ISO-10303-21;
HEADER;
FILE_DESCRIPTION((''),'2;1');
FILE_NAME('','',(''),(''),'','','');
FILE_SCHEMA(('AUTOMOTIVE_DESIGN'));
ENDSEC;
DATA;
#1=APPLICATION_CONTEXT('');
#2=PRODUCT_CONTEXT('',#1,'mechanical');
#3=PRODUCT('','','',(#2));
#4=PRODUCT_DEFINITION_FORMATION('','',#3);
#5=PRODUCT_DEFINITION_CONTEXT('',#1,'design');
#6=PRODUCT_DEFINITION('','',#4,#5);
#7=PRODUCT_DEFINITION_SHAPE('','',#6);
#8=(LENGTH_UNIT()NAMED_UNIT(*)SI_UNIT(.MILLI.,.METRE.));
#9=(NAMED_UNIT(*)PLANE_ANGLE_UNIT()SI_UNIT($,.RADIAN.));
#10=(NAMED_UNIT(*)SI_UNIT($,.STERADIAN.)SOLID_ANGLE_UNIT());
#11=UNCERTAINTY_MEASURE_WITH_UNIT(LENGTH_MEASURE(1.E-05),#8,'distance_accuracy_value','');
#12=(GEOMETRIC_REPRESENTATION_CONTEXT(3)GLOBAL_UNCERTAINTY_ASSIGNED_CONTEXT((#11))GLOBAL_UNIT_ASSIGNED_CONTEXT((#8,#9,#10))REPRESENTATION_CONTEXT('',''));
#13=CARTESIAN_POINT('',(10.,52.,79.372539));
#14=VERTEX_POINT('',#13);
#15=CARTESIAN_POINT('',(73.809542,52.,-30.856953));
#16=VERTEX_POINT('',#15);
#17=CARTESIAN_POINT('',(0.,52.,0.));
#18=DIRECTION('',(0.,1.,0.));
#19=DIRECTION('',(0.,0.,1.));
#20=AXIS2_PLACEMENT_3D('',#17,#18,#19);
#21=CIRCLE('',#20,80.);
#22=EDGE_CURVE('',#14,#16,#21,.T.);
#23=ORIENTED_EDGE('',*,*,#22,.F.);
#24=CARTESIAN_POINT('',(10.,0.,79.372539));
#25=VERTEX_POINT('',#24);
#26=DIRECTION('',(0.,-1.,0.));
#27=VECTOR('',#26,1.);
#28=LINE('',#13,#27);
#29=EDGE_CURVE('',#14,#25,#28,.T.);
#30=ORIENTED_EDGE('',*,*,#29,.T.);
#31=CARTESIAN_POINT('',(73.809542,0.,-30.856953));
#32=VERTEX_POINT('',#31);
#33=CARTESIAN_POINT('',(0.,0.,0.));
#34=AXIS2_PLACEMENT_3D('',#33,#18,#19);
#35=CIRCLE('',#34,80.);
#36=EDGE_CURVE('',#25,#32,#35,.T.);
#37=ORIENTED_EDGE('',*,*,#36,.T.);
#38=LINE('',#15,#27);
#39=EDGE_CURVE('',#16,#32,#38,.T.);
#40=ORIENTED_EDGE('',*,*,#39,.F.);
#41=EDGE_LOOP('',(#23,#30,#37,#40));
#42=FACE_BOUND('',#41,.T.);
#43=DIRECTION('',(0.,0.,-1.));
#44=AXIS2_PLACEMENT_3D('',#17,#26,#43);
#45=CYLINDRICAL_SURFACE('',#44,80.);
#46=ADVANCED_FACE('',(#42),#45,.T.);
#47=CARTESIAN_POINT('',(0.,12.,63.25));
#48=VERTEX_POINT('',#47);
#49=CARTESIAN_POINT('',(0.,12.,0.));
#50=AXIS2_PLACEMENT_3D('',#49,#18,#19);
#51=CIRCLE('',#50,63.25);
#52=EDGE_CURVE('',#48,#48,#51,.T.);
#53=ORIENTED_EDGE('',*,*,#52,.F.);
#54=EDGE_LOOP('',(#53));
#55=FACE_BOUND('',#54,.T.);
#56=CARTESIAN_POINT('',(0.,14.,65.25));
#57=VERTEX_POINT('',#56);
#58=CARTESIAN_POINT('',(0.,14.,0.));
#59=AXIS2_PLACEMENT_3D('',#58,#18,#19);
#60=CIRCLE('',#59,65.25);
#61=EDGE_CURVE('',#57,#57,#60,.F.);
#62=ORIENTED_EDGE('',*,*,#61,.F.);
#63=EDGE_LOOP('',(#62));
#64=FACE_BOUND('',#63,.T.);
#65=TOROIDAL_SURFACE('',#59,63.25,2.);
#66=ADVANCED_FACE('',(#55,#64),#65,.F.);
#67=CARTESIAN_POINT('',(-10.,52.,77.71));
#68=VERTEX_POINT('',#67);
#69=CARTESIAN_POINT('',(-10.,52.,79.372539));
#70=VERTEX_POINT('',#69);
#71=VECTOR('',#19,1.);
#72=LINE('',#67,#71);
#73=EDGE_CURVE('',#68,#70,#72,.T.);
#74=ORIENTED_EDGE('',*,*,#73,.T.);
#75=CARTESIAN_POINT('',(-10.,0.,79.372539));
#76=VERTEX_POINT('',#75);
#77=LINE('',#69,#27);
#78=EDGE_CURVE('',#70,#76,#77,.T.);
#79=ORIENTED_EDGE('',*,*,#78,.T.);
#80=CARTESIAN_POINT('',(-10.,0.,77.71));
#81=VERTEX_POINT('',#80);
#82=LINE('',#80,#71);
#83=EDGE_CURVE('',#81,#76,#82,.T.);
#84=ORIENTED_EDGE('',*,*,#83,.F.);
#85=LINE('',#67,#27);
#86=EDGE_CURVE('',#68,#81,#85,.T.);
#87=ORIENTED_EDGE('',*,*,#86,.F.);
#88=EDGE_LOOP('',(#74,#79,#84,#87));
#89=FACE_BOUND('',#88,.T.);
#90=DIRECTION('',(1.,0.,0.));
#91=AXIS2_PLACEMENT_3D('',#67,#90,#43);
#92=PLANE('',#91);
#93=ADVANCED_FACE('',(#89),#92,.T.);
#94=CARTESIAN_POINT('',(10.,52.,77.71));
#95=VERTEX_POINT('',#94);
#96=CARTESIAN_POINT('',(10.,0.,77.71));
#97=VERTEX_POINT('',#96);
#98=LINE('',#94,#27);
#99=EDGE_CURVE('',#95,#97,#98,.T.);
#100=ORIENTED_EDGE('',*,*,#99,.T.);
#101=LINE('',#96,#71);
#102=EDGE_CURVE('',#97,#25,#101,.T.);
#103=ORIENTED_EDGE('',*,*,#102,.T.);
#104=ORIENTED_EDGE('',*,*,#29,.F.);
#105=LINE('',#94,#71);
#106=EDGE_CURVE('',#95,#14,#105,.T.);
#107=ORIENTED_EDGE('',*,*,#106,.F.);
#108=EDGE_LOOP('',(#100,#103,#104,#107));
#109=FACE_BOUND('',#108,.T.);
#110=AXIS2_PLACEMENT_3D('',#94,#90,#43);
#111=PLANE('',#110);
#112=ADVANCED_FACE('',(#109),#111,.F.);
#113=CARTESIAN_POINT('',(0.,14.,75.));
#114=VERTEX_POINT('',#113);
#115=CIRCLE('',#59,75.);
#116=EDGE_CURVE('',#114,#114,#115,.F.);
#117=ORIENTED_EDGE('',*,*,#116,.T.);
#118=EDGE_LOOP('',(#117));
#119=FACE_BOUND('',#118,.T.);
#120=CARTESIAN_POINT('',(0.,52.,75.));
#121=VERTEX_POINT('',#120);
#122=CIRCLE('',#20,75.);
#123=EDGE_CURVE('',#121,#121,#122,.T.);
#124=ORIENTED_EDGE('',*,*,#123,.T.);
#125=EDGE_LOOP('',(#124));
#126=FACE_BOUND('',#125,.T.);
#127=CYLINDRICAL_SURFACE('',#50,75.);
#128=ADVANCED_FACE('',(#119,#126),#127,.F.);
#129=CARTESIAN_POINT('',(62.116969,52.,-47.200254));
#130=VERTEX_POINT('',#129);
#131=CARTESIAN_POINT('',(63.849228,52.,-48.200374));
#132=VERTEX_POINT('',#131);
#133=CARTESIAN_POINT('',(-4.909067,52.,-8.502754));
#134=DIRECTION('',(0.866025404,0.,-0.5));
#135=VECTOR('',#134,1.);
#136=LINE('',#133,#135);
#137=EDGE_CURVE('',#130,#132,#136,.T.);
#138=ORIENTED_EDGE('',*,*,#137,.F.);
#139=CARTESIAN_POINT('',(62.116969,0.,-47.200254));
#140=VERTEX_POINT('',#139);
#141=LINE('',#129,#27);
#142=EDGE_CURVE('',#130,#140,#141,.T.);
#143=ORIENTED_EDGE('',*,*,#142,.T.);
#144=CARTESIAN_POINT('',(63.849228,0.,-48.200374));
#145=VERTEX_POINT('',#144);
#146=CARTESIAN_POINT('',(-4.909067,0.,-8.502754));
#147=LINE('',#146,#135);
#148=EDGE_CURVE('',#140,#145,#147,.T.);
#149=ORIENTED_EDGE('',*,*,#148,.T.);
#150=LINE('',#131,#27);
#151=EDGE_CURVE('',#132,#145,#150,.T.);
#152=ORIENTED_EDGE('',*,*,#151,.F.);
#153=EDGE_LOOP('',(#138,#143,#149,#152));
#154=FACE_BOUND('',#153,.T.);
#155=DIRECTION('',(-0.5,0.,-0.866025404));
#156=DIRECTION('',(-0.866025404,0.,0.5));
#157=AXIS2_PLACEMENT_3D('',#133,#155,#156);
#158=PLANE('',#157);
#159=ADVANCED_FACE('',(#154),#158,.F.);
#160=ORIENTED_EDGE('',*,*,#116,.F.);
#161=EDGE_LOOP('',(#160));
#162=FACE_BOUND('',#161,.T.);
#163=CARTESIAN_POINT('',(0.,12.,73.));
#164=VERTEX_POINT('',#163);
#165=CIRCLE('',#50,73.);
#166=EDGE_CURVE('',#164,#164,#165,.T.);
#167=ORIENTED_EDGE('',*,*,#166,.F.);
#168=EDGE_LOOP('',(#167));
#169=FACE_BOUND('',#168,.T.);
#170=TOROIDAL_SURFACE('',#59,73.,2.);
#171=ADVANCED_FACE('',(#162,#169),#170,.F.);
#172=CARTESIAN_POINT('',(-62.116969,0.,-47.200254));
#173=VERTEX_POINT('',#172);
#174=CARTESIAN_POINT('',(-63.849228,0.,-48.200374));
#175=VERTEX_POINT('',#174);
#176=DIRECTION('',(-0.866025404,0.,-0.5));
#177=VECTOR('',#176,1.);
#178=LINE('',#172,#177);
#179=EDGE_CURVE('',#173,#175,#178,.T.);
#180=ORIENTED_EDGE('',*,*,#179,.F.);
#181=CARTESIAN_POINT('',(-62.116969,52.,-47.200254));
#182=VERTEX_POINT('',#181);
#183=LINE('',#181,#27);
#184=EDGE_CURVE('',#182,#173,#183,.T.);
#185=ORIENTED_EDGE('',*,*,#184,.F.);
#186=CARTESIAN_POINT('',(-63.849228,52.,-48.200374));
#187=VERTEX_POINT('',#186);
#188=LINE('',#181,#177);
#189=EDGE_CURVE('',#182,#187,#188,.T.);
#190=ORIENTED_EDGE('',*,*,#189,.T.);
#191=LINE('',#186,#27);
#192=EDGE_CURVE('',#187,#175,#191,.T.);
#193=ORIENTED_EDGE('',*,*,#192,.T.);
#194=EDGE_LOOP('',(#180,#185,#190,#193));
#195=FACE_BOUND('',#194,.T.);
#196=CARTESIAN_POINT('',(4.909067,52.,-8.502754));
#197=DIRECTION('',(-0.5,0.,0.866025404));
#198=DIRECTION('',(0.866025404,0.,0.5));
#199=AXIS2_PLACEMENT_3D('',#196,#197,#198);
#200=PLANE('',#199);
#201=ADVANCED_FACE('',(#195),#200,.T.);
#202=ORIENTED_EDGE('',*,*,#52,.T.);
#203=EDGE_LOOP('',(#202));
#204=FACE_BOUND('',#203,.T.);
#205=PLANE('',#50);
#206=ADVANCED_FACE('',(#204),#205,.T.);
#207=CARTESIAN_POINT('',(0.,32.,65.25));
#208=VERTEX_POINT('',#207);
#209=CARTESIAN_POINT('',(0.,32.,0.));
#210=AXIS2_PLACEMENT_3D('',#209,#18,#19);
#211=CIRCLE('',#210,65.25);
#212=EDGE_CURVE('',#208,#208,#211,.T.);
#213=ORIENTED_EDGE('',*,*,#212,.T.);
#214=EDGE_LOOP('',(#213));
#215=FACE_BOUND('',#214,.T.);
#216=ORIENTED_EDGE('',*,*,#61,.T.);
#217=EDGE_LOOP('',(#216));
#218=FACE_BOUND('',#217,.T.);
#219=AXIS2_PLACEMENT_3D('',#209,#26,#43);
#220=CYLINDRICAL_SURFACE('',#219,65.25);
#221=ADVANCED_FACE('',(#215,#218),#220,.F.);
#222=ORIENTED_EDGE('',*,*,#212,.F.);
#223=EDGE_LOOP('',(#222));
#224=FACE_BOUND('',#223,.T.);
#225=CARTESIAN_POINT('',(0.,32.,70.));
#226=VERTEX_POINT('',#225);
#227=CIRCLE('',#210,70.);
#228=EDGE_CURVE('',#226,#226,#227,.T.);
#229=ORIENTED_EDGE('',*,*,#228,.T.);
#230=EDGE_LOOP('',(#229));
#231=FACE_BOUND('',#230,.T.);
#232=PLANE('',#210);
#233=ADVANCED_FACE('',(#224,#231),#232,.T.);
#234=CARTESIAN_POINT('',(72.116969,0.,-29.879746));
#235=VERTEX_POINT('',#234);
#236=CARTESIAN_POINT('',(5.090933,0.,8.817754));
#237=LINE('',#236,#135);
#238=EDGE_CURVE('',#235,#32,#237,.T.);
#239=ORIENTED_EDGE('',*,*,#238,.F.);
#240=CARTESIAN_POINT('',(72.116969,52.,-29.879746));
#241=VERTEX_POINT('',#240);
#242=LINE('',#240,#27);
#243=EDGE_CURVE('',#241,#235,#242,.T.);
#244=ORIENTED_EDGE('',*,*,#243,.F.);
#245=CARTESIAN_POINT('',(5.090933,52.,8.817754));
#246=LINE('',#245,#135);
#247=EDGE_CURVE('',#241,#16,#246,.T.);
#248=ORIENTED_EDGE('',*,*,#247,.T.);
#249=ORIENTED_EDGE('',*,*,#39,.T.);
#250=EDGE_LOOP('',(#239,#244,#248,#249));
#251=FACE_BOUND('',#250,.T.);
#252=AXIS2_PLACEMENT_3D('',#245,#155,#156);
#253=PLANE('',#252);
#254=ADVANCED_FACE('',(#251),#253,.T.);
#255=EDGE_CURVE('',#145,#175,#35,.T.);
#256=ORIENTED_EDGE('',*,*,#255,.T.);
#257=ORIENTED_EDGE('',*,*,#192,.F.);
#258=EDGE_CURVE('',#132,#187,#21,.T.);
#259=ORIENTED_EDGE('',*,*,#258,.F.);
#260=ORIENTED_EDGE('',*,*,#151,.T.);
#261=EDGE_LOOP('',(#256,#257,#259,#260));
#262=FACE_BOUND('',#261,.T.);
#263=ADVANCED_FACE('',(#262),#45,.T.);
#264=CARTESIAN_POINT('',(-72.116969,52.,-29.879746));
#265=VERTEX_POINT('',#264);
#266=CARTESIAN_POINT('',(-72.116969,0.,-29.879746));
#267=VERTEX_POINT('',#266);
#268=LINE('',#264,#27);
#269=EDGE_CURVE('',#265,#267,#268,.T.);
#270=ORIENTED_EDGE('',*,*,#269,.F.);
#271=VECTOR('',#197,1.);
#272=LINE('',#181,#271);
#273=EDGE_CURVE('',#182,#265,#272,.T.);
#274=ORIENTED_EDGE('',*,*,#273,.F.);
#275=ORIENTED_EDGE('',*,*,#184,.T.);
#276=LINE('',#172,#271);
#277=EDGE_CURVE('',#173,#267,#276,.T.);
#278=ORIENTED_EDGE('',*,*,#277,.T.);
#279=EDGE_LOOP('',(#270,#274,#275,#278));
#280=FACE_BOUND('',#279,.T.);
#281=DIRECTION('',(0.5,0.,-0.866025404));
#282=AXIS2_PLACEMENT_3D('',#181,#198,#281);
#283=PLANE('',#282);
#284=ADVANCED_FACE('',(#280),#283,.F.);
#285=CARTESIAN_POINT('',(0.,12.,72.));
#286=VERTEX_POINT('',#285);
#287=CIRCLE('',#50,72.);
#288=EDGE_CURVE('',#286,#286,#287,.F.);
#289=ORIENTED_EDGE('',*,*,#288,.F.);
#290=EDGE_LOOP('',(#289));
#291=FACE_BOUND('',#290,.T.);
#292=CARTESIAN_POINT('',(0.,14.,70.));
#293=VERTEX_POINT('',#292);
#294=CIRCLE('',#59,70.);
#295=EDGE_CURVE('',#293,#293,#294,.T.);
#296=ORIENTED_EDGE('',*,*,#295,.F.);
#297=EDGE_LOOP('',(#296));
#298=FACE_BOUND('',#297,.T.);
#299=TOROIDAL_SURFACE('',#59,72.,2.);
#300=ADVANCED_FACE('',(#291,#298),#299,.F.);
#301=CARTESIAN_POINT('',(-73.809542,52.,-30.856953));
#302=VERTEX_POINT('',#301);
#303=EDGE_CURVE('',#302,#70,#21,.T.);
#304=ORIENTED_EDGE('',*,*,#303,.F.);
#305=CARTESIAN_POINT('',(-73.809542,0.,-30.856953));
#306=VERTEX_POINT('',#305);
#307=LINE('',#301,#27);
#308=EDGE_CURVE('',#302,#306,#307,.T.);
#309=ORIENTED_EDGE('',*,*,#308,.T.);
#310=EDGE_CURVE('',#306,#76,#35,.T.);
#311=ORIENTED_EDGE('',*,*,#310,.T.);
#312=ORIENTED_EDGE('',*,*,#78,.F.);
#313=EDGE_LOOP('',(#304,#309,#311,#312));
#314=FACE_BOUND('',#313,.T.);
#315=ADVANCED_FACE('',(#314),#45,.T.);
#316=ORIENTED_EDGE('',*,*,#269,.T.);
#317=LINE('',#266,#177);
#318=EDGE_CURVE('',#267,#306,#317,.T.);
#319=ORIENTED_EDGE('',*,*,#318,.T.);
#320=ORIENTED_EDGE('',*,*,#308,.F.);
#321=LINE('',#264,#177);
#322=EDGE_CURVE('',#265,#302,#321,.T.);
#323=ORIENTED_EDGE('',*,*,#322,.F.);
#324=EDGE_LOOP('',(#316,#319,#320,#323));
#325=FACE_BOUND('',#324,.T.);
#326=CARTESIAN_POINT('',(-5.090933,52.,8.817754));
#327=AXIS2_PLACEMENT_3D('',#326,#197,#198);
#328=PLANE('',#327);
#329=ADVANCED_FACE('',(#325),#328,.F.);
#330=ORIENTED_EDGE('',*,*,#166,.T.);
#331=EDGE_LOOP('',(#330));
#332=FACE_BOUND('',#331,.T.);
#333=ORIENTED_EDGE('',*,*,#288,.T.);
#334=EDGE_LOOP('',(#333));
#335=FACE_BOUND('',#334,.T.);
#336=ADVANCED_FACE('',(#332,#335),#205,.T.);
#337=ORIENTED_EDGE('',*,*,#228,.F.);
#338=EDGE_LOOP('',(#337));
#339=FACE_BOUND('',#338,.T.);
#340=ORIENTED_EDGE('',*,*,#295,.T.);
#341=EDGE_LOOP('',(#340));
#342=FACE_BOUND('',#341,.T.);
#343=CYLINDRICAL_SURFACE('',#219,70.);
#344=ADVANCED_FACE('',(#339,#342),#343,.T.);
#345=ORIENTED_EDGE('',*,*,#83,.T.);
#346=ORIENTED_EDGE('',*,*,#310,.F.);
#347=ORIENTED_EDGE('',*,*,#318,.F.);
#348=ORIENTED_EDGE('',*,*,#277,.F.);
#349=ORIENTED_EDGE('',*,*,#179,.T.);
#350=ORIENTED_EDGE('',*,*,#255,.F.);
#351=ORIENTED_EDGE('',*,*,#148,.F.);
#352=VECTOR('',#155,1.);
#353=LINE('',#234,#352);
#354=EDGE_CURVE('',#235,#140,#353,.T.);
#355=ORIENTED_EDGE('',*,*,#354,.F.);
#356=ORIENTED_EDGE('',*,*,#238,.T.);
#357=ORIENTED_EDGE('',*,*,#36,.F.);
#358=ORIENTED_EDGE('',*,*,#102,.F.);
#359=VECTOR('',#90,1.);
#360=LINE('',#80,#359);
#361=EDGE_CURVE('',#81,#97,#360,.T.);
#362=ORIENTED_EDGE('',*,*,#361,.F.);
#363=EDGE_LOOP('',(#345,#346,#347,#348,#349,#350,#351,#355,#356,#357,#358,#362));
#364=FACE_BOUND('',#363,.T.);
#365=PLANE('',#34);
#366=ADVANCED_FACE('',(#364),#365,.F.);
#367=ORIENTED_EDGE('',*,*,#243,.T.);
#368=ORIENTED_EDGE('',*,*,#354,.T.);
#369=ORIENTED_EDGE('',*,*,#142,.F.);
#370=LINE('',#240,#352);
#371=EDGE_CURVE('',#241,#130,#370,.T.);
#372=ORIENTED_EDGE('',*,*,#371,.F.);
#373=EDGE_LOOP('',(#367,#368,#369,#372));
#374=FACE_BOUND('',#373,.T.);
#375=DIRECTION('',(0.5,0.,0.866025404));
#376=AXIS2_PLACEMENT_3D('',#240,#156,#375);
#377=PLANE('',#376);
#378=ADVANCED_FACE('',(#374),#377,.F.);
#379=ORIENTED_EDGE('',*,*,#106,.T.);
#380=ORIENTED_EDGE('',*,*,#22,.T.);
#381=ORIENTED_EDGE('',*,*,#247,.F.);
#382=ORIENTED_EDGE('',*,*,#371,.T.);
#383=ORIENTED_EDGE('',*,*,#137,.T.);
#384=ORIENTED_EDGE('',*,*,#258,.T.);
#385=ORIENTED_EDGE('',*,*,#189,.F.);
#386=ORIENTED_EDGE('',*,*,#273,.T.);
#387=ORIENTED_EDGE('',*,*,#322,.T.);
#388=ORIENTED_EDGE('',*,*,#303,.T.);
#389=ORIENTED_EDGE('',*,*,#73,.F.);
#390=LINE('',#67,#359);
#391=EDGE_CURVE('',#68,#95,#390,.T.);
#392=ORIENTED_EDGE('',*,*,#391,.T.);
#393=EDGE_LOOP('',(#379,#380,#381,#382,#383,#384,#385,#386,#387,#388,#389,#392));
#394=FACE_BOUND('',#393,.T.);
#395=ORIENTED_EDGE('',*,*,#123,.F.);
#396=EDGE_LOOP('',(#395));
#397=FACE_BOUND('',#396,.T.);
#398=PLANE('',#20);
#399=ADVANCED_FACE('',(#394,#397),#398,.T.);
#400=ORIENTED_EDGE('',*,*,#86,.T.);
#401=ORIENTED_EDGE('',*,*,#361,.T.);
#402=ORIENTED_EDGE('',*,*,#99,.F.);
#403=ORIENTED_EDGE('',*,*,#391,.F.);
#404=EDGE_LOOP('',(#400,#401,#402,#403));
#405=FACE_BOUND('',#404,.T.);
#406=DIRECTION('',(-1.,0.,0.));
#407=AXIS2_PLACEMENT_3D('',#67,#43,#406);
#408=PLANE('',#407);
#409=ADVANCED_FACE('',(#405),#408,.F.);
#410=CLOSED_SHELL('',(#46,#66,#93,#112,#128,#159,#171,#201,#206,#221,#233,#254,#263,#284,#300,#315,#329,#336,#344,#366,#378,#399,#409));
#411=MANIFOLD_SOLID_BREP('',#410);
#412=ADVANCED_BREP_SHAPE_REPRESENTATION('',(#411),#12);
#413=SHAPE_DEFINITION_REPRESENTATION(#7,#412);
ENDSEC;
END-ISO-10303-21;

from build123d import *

# Parameters (mm, degrees)
SZKIC2_R                    = 80
DODANIE_WYCI_GNI_CIE1_DEPTH = 52
SZKIC3_R                    = 75
WYTNIJ_WYCI_GNI_CIE1_DEPTH  = 40
SZKIC4_R                    = 70
SZKIC4_R_2                  = 65.25
DODANIE_WYCI_GNI_CIE3_DEPTH = 20
ZAOKR_GLENIE4_R             = 2
ZAOKR_GLENIE5_R             = 2
SZKIC5_W                    = 20
SZKIC5_H                    = 20
WYTNIJ_WYCI_GNI_CIE3_DEPTH  = 125.51505933


with BuildPart() as part:
    # Szkic2 → Dodanie-wyciągnięcie1 (new body)
    with BuildSketch(Plane(origin=(0, 0, 0), x_dir=(1, 0, 0), z_dir=(0, 1, 0))):
        with Locations(Location((0, 0, 0), (0, 0, 90))):
            Circle(SZKIC2_R)
    extrude(amount=DODANIE_WYCI_GNI_CIE1_DEPTH)

    # Szkic3 → Wytnij-wyciągnięcie1 (cut)
    with BuildSketch(Plane(origin=(0, 52, 0), x_dir=(1, 0, 0), z_dir=(0, 1, 0))):
        with Locations(Location((0, 0, 0), (0, 0, 270))):
            Circle(SZKIC3_R)
    extrude(amount=-WYTNIJ_WYCI_GNI_CIE1_DEPTH, mode=Mode.SUBTRACT)

    # Szkic4 → Dodanie-wyciągnięcie3 (add)
    with BuildSketch(Plane(origin=(0, 12, 0), x_dir=(1, 0, 0), z_dir=(0, 1, 0))):
        with Locations(Location((0, 0, 0), (0, 0, 270))):
            Circle(SZKIC4_R)
        with Locations(Location((0, 0, 0), (0, 0, 270))):
            Circle(SZKIC4_R_2, mode=Mode.SUBTRACT)
    extrude(amount=DODANIE_WYCI_GNI_CIE3_DEPTH)

    # Zaokrąglenie4
    zaokr_glenie4_edges = [part.edges().sort_by_distance(p)[0] for p in [
        (0, 12, -65.25),
    ]]
    fillet(zaokr_glenie4_edges, radius=ZAOKR_GLENIE4_R)

    # Zaokrąglenie5
    zaokr_glenie5_edges = [part.edges().sort_by_distance(p)[0] for p in [
        (0, 12, -70),
        (0, 12, -75),
    ]]
    fillet(zaokr_glenie5_edges, radius=ZAOKR_GLENIE5_R)

    # Szkic5 → Wytnij-wyciągnięcie3 (cut, through all)
    with BuildSketch(Plane.XZ):
        Polygon((72.116968793, -29.879745962), (89.437476869, -39.879745962), (79.437476869, -57.200254038), (62.116968793, -47.200254038), align=None)
        with Locations((0, 87.71)):
            Rectangle(SZKIC5_W, SZKIC5_H)
        Polygon((-62.116968793, -47.200254038), (-79.437476869, -57.200254038), (-89.437476869, -39.879745962), (-72.116968793, -29.879745962), align=None)
    extrude(amount=-WYTNIJ_WYCI_GNI_CIE3_DEPTH, mode=Mode.SUBTRACT)


solid = part.part
